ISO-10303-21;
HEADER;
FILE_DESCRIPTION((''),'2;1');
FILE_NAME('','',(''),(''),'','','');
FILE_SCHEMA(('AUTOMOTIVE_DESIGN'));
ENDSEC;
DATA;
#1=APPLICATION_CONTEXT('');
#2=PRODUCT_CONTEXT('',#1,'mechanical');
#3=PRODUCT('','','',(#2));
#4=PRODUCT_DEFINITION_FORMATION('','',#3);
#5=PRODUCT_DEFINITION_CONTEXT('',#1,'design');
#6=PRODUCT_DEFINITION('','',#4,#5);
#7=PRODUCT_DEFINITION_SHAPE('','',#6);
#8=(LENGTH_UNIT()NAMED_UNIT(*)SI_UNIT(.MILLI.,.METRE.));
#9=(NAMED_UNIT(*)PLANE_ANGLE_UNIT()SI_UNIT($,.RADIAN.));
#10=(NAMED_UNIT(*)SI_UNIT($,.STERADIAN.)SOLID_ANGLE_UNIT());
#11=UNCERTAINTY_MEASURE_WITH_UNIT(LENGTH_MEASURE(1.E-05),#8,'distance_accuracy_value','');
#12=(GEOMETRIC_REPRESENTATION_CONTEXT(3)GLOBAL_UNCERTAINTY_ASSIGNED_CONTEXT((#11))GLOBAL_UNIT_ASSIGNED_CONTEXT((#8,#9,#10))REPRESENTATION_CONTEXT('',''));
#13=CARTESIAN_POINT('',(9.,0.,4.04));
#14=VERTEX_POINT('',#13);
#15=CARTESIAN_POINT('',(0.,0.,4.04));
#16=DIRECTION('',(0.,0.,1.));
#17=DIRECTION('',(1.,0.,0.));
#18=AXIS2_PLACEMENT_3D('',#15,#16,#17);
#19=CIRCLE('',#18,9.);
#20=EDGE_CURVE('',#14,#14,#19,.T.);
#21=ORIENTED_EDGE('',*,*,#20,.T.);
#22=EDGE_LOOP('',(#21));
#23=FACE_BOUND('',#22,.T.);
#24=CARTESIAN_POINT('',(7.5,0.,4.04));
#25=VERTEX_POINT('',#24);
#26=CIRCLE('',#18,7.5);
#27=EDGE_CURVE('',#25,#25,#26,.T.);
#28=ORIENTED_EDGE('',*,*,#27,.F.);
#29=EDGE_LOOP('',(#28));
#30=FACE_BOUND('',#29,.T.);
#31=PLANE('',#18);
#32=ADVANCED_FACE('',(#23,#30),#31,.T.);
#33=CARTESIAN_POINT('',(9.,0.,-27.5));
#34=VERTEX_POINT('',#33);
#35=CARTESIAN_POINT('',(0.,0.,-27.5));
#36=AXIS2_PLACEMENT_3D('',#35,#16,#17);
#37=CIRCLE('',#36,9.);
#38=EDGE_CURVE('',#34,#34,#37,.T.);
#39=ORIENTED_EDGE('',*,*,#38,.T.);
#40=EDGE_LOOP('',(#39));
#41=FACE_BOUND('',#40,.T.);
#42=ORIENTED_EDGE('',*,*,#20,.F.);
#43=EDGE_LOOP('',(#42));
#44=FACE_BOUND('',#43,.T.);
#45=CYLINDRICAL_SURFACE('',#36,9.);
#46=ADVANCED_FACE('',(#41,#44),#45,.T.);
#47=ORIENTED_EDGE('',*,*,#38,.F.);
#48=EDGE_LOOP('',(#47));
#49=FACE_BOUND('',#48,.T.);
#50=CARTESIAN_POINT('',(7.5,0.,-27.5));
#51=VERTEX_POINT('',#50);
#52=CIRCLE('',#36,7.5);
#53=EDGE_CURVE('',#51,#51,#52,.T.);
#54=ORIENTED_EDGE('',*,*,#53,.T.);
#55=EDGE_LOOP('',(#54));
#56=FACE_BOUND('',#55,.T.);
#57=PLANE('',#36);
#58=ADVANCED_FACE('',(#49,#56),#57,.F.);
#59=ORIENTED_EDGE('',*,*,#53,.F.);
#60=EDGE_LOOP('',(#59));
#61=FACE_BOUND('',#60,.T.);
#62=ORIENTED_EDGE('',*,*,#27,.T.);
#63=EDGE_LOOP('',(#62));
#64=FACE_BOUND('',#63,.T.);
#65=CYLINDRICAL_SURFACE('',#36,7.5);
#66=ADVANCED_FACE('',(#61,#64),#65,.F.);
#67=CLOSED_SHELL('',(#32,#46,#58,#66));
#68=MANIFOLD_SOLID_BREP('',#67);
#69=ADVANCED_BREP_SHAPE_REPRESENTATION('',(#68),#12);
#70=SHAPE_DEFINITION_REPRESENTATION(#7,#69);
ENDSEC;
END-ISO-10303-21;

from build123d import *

# Parameters (mm, degrees)
SKETCH1_R           = 9
SKETCH1_R_2         = 7.5
BOSS_EXTRUDE1_DEPTH = 27.5
BOSS_EXTRUDE2_START = 4.04
SKETCH1_3_R         = 9
SKETCH1_3_R_2       = 7.5
BOSS_EXTRUDE2_DEPTH = 4.04


with BuildPart() as part:
    # Sketch1 → Boss-Extrude1 (new body)
    with BuildSketch(Plane.XY):
        Circle(SKETCH1_R)
        Circle(SKETCH1_R_2, mode=Mode.SUBTRACT)
    extrude(amount=-BOSS_EXTRUDE1_DEPTH)

    # Sketch1<3> → Boss-Extrude2 (add)
    with BuildSketch(Plane.XY.offset(BOSS_EXTRUDE2_START)):
        Circle(SKETCH1_3_R)
        Circle(SKETCH1_3_R_2, mode=Mode.SUBTRACT)
    extrude(amount=-BOSS_EXTRUDE2_DEPTH)


solid = part.part
